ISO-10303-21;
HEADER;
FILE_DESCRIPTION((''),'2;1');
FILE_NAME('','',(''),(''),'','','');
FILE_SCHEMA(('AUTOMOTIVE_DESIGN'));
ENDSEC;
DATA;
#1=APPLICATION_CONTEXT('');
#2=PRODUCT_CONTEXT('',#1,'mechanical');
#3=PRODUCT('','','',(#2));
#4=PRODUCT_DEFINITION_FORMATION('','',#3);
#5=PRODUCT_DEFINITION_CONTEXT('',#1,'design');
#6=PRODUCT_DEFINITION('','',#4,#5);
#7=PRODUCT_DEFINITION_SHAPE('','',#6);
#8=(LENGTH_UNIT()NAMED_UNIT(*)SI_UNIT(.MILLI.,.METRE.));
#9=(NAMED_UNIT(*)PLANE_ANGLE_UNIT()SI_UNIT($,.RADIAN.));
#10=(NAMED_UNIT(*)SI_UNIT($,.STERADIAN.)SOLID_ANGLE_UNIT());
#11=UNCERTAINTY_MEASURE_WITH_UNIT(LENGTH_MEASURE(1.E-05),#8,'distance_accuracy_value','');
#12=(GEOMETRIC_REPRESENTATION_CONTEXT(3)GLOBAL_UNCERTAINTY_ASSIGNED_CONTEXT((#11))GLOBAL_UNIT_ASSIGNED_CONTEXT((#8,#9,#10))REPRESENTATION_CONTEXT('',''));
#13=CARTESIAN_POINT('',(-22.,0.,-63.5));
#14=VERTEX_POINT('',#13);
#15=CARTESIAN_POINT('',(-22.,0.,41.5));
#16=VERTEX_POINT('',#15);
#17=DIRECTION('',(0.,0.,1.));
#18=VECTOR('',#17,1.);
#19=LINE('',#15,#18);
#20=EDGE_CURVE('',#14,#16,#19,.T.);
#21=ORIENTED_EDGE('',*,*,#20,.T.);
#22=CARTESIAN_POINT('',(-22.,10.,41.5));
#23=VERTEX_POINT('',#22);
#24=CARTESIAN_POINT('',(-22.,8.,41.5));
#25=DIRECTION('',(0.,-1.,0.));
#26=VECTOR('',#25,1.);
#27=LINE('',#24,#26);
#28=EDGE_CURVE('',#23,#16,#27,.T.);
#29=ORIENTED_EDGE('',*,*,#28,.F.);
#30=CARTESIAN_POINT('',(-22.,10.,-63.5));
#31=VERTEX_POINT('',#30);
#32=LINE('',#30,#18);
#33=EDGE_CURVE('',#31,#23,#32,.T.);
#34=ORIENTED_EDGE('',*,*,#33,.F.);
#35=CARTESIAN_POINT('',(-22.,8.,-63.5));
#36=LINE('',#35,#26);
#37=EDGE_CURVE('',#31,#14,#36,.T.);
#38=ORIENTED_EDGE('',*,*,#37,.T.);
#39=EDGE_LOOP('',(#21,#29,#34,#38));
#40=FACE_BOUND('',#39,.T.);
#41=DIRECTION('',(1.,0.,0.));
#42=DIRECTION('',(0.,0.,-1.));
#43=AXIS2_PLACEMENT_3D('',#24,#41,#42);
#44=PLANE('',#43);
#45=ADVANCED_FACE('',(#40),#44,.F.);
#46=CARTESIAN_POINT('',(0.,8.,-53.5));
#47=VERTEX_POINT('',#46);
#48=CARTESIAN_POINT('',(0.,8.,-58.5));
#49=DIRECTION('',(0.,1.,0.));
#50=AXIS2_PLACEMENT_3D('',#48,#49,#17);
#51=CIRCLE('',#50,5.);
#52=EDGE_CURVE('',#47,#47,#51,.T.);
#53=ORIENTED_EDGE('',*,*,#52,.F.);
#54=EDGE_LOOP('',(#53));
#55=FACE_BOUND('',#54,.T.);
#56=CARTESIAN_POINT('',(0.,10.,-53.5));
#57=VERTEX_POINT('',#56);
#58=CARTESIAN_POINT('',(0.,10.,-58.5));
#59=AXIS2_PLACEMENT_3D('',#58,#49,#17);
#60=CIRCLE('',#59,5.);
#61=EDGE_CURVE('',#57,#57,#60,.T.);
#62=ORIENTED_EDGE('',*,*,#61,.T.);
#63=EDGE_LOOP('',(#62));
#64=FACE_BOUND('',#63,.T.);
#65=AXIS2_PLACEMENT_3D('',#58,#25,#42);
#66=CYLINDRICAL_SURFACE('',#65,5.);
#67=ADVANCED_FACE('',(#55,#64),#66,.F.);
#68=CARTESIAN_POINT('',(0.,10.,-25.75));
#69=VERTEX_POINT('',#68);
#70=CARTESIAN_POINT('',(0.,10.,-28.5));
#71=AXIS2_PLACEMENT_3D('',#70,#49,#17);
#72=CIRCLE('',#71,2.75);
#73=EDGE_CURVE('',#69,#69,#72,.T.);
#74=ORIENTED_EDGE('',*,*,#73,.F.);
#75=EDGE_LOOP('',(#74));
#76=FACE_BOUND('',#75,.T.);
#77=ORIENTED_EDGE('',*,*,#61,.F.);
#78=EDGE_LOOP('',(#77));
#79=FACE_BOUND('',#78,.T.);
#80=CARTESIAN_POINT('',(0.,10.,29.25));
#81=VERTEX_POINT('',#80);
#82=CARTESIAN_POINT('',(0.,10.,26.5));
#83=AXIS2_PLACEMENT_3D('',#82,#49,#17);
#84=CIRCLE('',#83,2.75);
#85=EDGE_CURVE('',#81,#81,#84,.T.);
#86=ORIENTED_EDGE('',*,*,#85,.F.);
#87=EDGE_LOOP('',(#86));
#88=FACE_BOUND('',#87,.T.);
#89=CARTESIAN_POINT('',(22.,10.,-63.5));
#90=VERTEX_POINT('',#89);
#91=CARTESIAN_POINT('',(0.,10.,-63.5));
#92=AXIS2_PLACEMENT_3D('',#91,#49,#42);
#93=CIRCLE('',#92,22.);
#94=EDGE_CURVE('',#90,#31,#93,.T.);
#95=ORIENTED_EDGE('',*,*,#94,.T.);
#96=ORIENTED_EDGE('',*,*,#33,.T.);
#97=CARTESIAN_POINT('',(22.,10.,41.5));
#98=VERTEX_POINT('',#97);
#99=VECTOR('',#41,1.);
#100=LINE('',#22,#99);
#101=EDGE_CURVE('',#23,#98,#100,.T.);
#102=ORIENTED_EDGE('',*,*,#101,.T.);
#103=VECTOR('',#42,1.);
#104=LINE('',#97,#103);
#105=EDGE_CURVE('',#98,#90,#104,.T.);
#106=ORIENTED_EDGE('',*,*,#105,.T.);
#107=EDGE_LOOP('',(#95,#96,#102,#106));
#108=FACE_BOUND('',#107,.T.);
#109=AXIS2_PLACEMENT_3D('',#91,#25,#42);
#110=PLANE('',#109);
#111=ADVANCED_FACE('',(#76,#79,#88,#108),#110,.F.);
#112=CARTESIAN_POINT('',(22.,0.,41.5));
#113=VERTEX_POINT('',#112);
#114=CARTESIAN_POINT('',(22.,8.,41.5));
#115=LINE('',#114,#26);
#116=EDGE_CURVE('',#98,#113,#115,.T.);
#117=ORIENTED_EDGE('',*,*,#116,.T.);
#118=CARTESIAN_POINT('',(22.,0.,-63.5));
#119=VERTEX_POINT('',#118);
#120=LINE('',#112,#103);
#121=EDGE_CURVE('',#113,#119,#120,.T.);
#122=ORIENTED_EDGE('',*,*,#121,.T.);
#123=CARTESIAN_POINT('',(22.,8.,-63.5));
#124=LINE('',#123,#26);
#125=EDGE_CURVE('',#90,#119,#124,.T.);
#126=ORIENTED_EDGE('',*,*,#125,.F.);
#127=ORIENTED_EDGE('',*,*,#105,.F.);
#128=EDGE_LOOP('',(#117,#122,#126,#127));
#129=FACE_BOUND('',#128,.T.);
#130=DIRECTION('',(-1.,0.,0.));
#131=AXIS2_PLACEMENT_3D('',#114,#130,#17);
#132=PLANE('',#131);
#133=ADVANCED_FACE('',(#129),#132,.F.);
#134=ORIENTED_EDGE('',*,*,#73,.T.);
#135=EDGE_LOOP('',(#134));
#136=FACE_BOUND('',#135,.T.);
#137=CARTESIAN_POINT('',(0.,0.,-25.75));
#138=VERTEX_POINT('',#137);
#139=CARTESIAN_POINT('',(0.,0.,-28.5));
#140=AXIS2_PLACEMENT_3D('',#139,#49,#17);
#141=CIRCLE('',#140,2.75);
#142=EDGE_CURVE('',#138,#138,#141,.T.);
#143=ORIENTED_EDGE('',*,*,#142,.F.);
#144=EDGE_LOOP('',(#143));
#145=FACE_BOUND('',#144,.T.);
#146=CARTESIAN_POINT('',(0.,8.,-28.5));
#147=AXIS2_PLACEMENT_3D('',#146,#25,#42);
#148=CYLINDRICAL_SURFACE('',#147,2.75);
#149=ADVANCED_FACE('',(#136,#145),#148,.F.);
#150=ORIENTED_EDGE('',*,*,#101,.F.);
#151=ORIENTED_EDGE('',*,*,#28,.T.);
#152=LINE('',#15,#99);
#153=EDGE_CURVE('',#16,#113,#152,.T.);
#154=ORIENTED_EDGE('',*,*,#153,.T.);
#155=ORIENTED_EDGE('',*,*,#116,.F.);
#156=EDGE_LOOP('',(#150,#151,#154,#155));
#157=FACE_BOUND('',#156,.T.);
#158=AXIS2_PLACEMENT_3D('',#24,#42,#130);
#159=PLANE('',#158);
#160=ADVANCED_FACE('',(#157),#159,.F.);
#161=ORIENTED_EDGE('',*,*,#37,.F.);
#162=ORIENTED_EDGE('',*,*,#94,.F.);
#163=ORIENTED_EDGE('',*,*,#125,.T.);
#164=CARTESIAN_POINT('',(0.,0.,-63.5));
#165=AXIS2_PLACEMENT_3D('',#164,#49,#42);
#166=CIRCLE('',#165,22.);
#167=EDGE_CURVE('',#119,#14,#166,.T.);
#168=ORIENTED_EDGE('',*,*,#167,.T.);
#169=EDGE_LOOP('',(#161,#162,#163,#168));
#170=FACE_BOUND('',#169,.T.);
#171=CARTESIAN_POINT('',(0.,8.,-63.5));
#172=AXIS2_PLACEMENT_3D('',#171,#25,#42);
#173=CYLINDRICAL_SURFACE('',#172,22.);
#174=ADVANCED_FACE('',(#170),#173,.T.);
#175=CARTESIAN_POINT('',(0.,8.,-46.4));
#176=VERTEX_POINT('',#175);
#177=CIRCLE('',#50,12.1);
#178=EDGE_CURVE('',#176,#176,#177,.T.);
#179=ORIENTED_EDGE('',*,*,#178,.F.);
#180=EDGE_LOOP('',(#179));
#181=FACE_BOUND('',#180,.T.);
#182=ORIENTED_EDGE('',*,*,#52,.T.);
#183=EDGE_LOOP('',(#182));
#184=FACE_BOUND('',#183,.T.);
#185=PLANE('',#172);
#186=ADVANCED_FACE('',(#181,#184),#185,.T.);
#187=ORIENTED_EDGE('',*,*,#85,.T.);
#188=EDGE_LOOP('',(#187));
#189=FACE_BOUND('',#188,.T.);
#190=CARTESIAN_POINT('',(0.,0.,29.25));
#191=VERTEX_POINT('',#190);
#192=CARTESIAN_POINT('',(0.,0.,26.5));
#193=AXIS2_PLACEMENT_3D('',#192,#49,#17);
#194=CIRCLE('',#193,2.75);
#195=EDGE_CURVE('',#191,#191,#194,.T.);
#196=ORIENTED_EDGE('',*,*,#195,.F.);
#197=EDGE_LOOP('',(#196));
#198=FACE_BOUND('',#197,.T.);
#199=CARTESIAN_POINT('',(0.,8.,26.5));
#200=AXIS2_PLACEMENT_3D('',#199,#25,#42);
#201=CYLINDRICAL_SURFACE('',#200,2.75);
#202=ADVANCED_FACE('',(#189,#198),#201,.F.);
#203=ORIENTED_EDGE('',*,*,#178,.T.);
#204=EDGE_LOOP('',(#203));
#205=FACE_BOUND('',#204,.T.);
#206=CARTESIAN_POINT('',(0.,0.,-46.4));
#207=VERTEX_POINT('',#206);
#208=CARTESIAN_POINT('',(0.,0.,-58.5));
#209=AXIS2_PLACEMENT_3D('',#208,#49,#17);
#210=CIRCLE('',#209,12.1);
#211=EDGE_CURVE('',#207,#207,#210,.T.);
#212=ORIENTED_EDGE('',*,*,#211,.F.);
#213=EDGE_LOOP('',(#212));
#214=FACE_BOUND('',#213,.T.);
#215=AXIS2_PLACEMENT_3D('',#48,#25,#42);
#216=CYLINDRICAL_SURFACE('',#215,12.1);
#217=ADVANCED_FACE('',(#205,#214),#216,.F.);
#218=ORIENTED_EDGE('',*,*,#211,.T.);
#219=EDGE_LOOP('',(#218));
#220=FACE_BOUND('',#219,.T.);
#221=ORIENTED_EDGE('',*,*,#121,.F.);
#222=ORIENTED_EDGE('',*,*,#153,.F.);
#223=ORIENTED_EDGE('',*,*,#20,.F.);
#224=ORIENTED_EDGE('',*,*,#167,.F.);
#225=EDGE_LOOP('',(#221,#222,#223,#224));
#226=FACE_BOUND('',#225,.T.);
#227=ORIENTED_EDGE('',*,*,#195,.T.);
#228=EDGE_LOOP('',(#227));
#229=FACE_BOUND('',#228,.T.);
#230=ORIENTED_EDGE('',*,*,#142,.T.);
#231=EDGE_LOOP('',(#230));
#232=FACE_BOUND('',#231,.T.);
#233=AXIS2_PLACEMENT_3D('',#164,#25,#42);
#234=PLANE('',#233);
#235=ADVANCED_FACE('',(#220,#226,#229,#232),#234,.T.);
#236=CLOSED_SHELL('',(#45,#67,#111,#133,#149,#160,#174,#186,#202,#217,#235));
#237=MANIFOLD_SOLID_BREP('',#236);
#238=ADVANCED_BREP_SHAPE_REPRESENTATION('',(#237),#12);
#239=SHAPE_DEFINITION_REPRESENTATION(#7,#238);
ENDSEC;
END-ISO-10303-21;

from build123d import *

# Parameters (mm, degrees)
SKETCH1_R           = 2.75
SKETCH1_R_2         = 12.1
BOSS_EXTRUDE1_DEPTH = 8
SKETCH2_R           = 2.75
SKETCH2_R_2         = 5
BOSS_EXTRUDE2_DEPTH = 2


with BuildPart() as part:
    # Sketch1 → Boss-Extrude1 (new body)
    with BuildSketch(Plane(origin=(0, 0, 0), x_dir=(1, 0, 0), z_dir=(0, 1, 0))):
        with BuildLine():
            Line((-22, 63.5), (-22, 41.5))
            Line((-22, 41.5), (-22, -41.5))
            Line((-22, -41.5), (22, -41.5))
            Line((22, -41.5), (22, 41.5))
            Line((22, 41.5), (22, 63.5))
            ThreePointArc((22, 63.5), (0, 85.5), (-22, 63.5))
        make_face()
        with Locations(Location((0, -26.5, 0), (0, 0, 270))):
            Circle(SKETCH1_R, mode=Mode.SUBTRACT)
        with Locations(Location((0, 58.5, 0), (0, 0, 270))):
            Circle(SKETCH1_R_2, mode=Mode.SUBTRACT)
        with Locations(Location((0, 28.5, 0), (0, 0, 270))):
            Circle(SKETCH1_R, mode=Mode.SUBTRACT)
    extrude(amount=BOSS_EXTRUDE1_DEPTH)

    # Sketch2 → Boss-Extrude2 (add)
    with BuildSketch(Plane(origin=(0, 8, 0), x_dir=(1, 0, 0), z_dir=(0, 1, 0))):
        with BuildLine():
            Line((-22, -41.5), (22, -41.5))
            Line((22, -41.5), (22, 63.5))
            ThreePointArc((22, 63.5), (0, 85.5), (-22, 63.5))
            Line((-22, 63.5), (-22, -41.5))
        make_face()
        with Locations(Location((0, 28.5, 0), (0, 0, 270))):
            Circle(SKETCH2_R, mode=Mode.SUBTRACT)
        with Locations(Location((0, -26.5, 0), (0, 0, 270))):
            Circle(SKETCH2_R, mode=Mode.SUBTRACT)
        with Locations(Location((0, 58.5, 0), (0, 0, 270))):
            Circle(SKETCH2_R_2, mode=Mode.SUBTRACT)
    extrude(amount=BOSS_EXTRUDE2_DEPTH)


solid = part.part
